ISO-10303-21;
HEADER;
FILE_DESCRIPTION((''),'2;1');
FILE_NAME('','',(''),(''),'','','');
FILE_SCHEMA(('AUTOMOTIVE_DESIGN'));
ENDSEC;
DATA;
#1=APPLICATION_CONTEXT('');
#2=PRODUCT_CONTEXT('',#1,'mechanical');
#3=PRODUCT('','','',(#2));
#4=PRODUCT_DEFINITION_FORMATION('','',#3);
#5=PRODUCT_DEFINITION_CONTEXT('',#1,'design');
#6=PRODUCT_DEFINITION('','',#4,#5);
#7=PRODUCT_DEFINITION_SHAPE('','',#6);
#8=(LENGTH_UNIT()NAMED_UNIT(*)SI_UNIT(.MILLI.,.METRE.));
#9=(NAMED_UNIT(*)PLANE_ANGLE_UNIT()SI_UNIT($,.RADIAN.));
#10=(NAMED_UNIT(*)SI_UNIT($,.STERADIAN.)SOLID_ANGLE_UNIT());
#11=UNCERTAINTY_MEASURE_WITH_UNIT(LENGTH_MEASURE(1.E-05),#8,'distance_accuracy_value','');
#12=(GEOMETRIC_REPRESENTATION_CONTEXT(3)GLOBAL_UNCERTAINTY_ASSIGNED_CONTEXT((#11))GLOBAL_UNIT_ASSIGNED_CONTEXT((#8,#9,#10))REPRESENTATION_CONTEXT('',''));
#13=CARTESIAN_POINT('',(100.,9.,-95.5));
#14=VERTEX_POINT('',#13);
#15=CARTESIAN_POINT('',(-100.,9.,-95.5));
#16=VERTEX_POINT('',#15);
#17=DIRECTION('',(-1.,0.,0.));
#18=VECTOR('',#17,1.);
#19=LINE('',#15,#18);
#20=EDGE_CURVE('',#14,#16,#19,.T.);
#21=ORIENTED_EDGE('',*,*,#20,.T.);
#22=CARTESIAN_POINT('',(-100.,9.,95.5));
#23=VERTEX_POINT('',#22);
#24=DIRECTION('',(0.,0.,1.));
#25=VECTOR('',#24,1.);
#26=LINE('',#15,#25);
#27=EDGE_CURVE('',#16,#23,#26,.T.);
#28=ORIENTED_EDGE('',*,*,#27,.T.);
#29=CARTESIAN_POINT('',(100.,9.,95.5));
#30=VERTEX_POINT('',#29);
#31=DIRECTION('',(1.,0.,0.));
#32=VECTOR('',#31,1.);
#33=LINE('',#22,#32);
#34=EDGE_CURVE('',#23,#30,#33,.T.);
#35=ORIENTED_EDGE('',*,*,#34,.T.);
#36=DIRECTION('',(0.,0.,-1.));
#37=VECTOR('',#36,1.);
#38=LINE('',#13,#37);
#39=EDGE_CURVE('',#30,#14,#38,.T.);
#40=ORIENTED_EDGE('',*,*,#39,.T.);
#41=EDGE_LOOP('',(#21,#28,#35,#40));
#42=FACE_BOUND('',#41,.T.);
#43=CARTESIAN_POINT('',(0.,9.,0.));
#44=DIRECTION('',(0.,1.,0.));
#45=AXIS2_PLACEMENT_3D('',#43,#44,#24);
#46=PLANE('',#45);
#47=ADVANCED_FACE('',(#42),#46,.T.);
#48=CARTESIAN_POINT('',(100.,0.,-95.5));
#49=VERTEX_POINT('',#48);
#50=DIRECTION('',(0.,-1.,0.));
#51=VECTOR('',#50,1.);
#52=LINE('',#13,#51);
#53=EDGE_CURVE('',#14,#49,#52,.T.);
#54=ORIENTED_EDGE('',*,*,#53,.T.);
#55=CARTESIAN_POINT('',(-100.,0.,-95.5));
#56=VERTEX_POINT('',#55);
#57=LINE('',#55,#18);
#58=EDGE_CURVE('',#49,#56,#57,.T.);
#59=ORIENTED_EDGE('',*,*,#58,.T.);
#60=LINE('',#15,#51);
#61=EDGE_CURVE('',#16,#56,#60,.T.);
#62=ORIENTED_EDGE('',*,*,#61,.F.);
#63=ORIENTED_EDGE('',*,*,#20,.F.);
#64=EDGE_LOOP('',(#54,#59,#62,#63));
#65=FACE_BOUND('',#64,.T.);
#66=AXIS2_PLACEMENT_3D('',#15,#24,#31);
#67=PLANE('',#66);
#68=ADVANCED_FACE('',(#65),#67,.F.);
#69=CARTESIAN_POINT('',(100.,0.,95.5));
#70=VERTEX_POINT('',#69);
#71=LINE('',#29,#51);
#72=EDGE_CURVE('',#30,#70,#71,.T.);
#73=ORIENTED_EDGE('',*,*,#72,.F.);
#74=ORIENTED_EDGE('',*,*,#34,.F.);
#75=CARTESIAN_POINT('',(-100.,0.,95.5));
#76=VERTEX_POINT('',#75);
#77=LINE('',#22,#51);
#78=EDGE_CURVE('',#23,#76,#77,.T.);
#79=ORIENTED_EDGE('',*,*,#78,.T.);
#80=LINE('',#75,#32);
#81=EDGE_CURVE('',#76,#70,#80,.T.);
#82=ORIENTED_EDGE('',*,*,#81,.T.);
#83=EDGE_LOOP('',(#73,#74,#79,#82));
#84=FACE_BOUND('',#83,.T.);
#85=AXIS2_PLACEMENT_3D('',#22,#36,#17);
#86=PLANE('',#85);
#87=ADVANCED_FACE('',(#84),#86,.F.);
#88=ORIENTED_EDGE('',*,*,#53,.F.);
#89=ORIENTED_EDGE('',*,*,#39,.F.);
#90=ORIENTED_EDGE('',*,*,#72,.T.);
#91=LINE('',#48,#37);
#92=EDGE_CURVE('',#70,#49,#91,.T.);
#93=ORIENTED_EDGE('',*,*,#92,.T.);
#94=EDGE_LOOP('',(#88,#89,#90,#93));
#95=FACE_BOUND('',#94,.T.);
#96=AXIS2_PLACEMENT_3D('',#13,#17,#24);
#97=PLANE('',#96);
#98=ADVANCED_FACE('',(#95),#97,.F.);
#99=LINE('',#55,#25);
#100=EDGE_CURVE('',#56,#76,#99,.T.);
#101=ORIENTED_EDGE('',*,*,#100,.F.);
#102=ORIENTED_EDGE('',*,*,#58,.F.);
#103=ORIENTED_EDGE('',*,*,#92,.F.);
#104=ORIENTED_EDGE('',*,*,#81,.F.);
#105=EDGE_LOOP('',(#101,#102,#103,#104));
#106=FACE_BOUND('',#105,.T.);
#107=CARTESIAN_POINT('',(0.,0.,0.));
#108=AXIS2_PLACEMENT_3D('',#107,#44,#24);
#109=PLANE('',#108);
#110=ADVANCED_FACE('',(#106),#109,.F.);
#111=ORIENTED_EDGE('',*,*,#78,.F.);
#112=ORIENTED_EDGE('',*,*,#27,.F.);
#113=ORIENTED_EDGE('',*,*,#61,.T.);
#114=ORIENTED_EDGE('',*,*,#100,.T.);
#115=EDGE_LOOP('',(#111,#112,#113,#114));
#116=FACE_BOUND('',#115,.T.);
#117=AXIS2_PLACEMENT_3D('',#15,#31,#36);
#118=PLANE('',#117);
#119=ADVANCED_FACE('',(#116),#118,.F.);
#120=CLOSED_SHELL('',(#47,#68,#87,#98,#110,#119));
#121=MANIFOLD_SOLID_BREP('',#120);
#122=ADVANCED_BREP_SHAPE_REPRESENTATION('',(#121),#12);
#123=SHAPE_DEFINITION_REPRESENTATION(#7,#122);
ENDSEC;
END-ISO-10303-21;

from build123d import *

# Parameters (mm, degrees)
SKETCH_1_W      = 200
SKETCH_1_H      = 191
EXTRUDE_1_DEPTH = 9


with BuildPart() as part:
    # 草图1 → 凸台-拉伸1 (new body)
    with BuildSketch(Plane(origin=(0, 0, 0), x_dir=(1, 0, 0), z_dir=(0, 1, 0))):
        Rectangle(SKETCH_1_W, SKETCH_1_H)
    extrude(amount=EXTRUDE_1_DEPTH)


solid = part.part
